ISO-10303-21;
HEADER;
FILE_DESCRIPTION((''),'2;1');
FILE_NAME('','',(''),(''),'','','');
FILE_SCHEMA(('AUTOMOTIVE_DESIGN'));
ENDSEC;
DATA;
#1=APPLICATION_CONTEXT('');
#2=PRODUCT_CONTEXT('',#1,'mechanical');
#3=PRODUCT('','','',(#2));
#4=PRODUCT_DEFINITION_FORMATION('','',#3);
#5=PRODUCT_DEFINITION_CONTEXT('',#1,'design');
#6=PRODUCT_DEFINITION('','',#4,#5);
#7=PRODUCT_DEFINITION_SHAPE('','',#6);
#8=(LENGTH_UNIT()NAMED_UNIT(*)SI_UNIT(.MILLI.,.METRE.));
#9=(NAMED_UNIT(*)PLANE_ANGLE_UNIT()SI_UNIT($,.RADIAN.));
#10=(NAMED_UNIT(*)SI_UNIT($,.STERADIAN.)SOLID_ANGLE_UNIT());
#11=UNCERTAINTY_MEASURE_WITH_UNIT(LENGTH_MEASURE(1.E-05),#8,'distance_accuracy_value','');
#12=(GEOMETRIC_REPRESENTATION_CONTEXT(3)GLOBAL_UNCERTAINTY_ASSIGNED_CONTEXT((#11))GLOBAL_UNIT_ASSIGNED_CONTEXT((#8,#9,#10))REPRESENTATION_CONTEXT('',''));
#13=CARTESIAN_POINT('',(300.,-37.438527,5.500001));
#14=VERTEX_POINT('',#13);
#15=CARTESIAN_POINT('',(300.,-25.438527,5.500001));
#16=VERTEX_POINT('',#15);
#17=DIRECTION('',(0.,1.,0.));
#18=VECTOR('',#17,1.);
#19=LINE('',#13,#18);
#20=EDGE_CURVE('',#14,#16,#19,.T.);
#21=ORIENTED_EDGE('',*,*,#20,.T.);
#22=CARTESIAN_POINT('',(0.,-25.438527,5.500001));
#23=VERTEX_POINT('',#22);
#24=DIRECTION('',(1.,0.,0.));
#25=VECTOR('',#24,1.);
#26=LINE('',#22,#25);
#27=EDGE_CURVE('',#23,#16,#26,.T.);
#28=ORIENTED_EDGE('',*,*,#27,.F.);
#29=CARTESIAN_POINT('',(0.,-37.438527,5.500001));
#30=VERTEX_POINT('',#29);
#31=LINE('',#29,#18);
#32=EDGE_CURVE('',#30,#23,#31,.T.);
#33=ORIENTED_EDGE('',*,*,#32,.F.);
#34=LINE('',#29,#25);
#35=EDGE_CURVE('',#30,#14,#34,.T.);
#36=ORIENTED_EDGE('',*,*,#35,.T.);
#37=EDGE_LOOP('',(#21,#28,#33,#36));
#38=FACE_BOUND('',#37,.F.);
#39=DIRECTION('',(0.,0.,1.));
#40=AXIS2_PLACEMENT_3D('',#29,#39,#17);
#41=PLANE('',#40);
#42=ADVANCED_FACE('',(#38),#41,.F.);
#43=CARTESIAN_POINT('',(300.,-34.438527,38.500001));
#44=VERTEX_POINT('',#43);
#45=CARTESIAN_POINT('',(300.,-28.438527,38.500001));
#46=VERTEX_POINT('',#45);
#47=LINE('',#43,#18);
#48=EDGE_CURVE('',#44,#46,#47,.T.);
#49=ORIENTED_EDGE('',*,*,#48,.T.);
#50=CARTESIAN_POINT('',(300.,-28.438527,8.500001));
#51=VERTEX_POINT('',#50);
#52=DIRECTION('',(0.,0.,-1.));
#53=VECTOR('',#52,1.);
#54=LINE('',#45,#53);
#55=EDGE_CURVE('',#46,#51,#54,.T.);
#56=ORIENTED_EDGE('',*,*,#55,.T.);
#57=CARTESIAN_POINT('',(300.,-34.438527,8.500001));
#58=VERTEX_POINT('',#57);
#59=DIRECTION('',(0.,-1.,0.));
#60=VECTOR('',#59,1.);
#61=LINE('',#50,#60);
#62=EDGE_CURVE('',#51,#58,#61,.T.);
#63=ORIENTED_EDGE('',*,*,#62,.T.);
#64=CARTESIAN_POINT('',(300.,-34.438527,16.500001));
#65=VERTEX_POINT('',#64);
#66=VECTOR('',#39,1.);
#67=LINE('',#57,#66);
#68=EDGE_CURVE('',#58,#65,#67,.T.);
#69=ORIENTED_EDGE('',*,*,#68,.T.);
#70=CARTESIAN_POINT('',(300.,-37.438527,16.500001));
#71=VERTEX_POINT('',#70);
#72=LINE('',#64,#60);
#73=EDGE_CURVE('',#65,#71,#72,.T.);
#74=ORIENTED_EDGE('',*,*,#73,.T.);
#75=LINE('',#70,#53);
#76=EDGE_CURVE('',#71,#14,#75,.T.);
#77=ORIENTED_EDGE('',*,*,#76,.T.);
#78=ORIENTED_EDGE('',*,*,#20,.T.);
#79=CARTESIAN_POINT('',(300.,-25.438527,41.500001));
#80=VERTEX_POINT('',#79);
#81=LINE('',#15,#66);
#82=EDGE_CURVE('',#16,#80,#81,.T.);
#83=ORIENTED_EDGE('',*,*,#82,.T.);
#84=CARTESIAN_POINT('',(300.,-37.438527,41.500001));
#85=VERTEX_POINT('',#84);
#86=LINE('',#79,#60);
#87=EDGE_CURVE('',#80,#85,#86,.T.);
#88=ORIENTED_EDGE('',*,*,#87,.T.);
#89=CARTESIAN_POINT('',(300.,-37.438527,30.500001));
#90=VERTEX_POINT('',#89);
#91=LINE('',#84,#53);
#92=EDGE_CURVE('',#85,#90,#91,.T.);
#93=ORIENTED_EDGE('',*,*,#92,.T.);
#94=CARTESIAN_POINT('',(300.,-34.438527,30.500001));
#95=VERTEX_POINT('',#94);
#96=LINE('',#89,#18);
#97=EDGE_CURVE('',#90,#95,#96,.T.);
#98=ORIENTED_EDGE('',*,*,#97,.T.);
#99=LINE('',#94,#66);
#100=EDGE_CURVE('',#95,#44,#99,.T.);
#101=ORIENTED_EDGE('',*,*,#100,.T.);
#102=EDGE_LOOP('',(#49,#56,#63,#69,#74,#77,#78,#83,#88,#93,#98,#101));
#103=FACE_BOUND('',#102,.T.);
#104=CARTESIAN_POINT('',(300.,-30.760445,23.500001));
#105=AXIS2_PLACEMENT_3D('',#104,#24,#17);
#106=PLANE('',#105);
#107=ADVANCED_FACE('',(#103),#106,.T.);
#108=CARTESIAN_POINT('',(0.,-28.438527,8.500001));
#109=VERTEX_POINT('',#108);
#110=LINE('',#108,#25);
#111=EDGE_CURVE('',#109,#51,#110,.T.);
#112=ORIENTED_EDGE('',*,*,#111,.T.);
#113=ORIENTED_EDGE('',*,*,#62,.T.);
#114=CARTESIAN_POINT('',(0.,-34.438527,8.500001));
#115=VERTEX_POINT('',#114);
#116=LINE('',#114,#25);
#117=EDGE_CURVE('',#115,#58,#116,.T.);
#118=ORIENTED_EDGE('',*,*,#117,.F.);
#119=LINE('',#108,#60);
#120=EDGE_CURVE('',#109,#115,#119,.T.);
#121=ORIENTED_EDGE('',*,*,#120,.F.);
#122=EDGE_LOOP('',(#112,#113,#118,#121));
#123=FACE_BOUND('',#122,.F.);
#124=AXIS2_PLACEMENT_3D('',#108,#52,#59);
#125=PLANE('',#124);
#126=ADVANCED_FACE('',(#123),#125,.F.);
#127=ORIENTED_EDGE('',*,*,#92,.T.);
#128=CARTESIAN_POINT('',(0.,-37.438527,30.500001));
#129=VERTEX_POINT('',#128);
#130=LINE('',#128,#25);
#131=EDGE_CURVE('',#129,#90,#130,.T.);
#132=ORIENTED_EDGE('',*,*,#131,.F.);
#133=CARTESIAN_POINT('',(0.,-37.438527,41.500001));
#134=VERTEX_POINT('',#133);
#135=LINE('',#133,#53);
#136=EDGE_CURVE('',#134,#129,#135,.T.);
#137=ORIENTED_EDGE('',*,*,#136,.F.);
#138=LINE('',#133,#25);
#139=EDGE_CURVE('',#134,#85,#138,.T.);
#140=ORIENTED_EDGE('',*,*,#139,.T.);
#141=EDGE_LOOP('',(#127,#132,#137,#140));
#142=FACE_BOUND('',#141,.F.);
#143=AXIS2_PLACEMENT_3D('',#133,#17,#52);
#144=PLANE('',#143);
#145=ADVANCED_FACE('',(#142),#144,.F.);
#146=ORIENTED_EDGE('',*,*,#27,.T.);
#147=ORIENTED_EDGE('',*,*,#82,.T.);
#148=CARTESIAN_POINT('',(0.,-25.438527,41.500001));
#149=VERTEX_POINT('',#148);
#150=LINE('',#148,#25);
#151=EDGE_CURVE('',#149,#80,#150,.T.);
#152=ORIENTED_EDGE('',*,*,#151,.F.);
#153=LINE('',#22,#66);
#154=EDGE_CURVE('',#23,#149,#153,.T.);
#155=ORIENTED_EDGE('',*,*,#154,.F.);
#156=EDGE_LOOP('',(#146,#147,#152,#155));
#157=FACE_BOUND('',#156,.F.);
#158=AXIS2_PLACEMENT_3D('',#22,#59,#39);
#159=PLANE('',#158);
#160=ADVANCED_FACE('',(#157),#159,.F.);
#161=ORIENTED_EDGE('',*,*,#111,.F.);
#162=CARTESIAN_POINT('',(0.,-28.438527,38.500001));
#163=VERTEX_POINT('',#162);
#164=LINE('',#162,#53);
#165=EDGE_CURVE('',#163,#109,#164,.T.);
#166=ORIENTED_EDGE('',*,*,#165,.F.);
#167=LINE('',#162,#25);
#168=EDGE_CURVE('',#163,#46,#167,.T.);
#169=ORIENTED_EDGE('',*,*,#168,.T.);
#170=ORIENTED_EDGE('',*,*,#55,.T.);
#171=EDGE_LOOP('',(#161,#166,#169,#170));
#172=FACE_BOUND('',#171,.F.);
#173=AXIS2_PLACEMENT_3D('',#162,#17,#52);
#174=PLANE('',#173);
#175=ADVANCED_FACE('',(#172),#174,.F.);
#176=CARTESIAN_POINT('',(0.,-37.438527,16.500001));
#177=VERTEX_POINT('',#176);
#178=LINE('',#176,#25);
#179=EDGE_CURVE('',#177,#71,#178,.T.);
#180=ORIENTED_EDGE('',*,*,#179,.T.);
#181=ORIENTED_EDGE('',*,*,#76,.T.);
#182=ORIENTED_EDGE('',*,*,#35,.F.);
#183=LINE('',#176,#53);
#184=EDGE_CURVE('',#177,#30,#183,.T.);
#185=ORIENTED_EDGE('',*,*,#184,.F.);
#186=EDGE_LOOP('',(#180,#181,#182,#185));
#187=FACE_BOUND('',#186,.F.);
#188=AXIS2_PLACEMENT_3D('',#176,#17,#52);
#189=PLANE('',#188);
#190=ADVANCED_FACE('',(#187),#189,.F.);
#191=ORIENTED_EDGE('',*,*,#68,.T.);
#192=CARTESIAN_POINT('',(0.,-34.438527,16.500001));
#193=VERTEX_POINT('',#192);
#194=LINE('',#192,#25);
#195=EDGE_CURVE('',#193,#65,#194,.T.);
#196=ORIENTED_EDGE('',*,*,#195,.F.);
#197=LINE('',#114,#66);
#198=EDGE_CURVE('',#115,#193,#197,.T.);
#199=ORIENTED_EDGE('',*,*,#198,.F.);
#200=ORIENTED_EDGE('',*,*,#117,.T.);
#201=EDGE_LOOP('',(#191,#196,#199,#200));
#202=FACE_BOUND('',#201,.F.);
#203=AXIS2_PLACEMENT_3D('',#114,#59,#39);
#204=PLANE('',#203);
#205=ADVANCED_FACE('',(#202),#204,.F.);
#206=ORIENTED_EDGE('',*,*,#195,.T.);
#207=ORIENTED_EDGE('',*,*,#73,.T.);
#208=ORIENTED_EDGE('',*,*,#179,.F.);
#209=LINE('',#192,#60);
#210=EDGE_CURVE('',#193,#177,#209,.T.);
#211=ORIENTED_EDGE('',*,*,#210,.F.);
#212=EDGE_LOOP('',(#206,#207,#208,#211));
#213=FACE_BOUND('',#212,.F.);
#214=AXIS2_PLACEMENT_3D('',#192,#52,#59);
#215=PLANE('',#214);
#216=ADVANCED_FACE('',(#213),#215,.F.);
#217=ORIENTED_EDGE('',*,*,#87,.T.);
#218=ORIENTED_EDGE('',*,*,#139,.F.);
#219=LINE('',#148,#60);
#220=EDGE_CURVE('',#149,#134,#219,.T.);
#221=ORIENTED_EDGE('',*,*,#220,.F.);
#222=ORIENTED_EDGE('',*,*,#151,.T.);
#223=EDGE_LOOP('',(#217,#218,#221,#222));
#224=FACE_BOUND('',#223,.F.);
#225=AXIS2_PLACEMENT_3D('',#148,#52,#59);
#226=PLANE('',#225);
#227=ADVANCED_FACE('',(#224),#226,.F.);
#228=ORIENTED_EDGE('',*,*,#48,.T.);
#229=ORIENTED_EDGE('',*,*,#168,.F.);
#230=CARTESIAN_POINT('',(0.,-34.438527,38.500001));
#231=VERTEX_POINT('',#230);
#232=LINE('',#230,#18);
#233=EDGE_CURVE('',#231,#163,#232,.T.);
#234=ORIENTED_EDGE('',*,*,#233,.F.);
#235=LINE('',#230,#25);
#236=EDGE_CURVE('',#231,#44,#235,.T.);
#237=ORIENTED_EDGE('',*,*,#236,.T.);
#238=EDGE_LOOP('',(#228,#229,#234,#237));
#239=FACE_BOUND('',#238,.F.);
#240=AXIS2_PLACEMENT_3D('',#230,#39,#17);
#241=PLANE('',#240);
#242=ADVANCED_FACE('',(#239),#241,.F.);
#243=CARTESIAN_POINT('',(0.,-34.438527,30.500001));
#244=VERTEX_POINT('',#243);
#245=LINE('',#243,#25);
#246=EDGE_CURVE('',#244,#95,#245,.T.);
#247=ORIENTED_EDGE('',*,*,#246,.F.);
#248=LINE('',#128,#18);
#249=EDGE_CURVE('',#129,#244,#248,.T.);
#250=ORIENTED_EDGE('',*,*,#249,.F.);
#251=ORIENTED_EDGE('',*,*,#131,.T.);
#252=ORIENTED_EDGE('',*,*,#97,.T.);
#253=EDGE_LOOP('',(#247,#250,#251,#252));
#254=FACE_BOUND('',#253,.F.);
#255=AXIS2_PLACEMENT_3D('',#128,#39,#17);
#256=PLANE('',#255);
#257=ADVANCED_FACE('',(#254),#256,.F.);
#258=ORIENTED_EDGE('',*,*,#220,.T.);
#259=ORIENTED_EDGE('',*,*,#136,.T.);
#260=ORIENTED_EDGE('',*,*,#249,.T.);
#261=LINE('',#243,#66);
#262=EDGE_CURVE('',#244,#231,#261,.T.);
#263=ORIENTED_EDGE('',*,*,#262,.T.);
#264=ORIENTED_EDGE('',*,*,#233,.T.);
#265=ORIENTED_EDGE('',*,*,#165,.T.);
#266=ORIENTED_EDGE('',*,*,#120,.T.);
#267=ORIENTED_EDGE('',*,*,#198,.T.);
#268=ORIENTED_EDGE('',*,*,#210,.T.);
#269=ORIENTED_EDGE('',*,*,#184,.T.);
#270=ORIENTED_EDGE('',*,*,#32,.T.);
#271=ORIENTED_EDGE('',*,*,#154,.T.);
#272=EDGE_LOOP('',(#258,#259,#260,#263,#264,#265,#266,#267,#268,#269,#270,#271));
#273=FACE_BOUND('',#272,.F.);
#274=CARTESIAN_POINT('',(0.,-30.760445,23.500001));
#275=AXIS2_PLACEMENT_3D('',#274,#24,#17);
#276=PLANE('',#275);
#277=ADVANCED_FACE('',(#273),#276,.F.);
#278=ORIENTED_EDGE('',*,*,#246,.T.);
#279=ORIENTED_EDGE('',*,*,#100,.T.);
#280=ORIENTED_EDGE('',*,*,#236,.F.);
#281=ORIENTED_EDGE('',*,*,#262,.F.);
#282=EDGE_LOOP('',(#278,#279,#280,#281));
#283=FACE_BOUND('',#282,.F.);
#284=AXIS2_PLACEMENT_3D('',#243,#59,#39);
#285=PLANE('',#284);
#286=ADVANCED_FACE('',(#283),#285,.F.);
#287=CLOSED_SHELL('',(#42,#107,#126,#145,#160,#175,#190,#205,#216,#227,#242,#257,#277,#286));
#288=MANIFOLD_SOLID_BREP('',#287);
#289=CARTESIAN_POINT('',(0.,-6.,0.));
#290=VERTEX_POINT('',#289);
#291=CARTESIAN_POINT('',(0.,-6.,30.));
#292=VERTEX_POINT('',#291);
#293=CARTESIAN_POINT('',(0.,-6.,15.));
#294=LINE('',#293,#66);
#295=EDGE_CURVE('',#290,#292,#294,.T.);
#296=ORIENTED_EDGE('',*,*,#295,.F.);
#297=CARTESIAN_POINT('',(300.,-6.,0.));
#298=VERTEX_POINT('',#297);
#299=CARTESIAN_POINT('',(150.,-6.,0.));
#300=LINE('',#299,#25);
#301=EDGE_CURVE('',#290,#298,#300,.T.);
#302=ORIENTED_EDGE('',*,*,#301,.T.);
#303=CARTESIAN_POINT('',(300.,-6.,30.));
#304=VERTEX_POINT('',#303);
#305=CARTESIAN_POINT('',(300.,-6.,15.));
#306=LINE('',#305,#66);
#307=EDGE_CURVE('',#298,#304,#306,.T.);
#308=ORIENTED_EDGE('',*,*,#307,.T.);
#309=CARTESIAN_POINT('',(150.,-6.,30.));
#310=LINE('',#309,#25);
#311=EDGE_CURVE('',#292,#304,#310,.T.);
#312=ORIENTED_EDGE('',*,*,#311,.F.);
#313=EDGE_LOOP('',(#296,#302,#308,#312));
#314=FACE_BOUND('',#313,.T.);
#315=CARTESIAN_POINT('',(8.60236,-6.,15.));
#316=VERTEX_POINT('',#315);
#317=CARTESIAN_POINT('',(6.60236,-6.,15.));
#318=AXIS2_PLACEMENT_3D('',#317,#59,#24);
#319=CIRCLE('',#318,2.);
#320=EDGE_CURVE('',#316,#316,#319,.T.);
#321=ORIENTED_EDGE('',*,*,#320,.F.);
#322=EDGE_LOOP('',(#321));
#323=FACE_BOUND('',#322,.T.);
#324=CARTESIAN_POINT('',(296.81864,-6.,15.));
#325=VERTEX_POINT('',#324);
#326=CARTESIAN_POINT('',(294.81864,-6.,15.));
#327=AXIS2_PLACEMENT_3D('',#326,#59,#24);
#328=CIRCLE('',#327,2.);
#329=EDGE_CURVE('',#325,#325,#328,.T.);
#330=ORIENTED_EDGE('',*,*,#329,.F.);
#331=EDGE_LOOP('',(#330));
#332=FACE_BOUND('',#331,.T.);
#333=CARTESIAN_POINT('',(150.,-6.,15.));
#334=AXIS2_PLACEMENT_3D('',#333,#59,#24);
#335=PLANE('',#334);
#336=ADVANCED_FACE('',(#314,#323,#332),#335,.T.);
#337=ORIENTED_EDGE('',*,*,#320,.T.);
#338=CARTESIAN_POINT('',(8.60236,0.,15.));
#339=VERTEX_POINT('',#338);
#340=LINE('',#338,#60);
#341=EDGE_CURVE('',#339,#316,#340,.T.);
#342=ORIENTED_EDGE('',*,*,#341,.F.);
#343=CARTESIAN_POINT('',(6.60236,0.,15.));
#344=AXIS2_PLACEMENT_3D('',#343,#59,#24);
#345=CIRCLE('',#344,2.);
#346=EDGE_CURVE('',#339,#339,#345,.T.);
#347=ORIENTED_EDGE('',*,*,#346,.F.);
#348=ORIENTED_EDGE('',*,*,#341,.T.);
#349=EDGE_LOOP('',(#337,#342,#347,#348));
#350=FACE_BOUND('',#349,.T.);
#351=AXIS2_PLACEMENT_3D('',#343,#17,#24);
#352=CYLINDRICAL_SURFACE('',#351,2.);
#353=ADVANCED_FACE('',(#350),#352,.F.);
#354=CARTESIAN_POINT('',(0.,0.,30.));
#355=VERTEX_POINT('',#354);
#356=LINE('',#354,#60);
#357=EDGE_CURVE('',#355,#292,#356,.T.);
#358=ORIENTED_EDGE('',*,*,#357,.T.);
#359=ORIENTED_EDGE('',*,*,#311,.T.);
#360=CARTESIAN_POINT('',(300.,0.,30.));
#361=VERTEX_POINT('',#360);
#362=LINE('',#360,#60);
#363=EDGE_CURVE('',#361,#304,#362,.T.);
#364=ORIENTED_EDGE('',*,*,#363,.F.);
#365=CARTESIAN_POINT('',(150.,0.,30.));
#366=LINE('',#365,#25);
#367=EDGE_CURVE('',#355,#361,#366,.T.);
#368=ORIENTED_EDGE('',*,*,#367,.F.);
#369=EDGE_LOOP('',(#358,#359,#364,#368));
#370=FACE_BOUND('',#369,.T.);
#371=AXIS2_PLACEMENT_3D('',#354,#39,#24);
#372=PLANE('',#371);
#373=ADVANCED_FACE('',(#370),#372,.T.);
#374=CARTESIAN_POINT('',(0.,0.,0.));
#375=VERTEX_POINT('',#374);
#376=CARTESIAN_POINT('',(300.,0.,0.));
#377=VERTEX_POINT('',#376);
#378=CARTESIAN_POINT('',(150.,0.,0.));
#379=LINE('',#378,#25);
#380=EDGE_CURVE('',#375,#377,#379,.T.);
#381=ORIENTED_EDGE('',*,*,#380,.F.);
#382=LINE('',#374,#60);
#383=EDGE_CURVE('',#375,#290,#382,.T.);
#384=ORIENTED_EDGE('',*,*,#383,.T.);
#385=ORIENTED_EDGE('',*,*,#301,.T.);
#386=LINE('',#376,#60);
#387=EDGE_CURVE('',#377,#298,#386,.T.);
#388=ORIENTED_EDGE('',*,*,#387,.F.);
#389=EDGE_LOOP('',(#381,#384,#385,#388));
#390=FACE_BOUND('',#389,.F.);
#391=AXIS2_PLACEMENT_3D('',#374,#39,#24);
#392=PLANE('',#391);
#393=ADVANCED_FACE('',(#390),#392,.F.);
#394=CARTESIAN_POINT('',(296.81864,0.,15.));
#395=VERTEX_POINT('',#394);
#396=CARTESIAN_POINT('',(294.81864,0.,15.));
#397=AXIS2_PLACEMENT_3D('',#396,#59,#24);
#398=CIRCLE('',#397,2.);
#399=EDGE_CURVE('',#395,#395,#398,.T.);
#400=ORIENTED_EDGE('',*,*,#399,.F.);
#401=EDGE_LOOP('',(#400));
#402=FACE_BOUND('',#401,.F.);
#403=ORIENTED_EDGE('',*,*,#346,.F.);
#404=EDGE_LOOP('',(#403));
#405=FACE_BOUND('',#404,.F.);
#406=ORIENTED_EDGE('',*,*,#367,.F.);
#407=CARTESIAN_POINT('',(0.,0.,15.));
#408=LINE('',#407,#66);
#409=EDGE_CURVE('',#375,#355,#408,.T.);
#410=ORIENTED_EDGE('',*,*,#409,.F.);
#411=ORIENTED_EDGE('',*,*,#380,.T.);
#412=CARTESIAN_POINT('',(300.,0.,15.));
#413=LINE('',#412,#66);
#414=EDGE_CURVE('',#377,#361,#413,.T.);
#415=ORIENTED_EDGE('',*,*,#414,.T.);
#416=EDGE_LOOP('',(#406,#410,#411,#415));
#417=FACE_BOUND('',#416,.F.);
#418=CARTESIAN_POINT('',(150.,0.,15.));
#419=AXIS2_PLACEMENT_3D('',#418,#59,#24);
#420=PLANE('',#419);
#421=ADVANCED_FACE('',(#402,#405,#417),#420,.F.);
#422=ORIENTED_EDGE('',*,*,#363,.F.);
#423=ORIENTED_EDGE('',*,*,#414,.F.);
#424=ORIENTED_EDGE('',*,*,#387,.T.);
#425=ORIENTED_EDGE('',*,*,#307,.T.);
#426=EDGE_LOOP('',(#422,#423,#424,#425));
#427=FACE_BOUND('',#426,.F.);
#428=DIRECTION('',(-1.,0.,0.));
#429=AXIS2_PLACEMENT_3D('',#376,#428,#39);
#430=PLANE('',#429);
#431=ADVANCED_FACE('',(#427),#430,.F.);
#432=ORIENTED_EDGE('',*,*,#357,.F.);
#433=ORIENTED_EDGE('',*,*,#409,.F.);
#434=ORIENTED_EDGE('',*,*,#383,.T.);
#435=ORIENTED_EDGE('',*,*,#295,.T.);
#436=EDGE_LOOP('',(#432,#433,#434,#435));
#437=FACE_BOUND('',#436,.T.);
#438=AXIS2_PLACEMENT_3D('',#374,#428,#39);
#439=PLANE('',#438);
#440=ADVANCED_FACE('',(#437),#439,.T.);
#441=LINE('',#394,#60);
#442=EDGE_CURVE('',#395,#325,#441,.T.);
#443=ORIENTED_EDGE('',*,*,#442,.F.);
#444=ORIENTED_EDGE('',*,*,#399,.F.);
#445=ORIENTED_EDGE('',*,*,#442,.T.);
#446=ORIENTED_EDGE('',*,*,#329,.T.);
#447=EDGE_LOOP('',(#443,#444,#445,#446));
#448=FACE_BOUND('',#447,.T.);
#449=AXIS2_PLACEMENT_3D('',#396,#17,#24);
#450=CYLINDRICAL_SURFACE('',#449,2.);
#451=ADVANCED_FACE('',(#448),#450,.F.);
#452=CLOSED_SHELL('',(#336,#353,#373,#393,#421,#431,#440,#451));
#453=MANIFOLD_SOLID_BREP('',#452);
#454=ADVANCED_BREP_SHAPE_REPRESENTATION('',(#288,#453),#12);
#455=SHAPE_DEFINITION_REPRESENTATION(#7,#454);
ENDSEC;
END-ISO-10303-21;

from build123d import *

# Parameters (mm, degrees)
F0_W     = 300
F0_H     = 30
F0_R     = 2
F1_DEPTH = 6
F3_DEPTH = 300


with BuildPart() as f1:
    # F0 (on Front) → F1 (new body)
    with BuildSketch(Plane.XZ):
        with Locations((150, 15)):
            Rectangle(F0_W, F0_H)
        with Locations((6.60236, 15)):
            Circle(F0_R, mode=Mode.SUBTRACT)
        with Locations((294.81864, 15)):
            Circle(F0_R, mode=Mode.SUBTRACT)
    extrude(amount=F1_DEPTH)


with BuildPart() as f3:
    # F2 (on Right) → F3 (new body)
    with BuildSketch(Plane.YZ):
        Polygon((-37.438527, 5.500001), (-25.438527, 5.500001), (-25.438527, 41.500001), (-37.438527, 41.500001), (-37.438527, 30.500001), (-34.438527, 30.500001), (-34.438527, 38.500001), (-28.438527, 38.500001), (-28.438527, 8.500001), (-34.438527, 8.500001), (-34.438527, 16.500001), (-37.438527, 16.500001), align=None)
    extrude(amount=F3_DEPTH)


solid = Compound([f1.part, f3.part])
